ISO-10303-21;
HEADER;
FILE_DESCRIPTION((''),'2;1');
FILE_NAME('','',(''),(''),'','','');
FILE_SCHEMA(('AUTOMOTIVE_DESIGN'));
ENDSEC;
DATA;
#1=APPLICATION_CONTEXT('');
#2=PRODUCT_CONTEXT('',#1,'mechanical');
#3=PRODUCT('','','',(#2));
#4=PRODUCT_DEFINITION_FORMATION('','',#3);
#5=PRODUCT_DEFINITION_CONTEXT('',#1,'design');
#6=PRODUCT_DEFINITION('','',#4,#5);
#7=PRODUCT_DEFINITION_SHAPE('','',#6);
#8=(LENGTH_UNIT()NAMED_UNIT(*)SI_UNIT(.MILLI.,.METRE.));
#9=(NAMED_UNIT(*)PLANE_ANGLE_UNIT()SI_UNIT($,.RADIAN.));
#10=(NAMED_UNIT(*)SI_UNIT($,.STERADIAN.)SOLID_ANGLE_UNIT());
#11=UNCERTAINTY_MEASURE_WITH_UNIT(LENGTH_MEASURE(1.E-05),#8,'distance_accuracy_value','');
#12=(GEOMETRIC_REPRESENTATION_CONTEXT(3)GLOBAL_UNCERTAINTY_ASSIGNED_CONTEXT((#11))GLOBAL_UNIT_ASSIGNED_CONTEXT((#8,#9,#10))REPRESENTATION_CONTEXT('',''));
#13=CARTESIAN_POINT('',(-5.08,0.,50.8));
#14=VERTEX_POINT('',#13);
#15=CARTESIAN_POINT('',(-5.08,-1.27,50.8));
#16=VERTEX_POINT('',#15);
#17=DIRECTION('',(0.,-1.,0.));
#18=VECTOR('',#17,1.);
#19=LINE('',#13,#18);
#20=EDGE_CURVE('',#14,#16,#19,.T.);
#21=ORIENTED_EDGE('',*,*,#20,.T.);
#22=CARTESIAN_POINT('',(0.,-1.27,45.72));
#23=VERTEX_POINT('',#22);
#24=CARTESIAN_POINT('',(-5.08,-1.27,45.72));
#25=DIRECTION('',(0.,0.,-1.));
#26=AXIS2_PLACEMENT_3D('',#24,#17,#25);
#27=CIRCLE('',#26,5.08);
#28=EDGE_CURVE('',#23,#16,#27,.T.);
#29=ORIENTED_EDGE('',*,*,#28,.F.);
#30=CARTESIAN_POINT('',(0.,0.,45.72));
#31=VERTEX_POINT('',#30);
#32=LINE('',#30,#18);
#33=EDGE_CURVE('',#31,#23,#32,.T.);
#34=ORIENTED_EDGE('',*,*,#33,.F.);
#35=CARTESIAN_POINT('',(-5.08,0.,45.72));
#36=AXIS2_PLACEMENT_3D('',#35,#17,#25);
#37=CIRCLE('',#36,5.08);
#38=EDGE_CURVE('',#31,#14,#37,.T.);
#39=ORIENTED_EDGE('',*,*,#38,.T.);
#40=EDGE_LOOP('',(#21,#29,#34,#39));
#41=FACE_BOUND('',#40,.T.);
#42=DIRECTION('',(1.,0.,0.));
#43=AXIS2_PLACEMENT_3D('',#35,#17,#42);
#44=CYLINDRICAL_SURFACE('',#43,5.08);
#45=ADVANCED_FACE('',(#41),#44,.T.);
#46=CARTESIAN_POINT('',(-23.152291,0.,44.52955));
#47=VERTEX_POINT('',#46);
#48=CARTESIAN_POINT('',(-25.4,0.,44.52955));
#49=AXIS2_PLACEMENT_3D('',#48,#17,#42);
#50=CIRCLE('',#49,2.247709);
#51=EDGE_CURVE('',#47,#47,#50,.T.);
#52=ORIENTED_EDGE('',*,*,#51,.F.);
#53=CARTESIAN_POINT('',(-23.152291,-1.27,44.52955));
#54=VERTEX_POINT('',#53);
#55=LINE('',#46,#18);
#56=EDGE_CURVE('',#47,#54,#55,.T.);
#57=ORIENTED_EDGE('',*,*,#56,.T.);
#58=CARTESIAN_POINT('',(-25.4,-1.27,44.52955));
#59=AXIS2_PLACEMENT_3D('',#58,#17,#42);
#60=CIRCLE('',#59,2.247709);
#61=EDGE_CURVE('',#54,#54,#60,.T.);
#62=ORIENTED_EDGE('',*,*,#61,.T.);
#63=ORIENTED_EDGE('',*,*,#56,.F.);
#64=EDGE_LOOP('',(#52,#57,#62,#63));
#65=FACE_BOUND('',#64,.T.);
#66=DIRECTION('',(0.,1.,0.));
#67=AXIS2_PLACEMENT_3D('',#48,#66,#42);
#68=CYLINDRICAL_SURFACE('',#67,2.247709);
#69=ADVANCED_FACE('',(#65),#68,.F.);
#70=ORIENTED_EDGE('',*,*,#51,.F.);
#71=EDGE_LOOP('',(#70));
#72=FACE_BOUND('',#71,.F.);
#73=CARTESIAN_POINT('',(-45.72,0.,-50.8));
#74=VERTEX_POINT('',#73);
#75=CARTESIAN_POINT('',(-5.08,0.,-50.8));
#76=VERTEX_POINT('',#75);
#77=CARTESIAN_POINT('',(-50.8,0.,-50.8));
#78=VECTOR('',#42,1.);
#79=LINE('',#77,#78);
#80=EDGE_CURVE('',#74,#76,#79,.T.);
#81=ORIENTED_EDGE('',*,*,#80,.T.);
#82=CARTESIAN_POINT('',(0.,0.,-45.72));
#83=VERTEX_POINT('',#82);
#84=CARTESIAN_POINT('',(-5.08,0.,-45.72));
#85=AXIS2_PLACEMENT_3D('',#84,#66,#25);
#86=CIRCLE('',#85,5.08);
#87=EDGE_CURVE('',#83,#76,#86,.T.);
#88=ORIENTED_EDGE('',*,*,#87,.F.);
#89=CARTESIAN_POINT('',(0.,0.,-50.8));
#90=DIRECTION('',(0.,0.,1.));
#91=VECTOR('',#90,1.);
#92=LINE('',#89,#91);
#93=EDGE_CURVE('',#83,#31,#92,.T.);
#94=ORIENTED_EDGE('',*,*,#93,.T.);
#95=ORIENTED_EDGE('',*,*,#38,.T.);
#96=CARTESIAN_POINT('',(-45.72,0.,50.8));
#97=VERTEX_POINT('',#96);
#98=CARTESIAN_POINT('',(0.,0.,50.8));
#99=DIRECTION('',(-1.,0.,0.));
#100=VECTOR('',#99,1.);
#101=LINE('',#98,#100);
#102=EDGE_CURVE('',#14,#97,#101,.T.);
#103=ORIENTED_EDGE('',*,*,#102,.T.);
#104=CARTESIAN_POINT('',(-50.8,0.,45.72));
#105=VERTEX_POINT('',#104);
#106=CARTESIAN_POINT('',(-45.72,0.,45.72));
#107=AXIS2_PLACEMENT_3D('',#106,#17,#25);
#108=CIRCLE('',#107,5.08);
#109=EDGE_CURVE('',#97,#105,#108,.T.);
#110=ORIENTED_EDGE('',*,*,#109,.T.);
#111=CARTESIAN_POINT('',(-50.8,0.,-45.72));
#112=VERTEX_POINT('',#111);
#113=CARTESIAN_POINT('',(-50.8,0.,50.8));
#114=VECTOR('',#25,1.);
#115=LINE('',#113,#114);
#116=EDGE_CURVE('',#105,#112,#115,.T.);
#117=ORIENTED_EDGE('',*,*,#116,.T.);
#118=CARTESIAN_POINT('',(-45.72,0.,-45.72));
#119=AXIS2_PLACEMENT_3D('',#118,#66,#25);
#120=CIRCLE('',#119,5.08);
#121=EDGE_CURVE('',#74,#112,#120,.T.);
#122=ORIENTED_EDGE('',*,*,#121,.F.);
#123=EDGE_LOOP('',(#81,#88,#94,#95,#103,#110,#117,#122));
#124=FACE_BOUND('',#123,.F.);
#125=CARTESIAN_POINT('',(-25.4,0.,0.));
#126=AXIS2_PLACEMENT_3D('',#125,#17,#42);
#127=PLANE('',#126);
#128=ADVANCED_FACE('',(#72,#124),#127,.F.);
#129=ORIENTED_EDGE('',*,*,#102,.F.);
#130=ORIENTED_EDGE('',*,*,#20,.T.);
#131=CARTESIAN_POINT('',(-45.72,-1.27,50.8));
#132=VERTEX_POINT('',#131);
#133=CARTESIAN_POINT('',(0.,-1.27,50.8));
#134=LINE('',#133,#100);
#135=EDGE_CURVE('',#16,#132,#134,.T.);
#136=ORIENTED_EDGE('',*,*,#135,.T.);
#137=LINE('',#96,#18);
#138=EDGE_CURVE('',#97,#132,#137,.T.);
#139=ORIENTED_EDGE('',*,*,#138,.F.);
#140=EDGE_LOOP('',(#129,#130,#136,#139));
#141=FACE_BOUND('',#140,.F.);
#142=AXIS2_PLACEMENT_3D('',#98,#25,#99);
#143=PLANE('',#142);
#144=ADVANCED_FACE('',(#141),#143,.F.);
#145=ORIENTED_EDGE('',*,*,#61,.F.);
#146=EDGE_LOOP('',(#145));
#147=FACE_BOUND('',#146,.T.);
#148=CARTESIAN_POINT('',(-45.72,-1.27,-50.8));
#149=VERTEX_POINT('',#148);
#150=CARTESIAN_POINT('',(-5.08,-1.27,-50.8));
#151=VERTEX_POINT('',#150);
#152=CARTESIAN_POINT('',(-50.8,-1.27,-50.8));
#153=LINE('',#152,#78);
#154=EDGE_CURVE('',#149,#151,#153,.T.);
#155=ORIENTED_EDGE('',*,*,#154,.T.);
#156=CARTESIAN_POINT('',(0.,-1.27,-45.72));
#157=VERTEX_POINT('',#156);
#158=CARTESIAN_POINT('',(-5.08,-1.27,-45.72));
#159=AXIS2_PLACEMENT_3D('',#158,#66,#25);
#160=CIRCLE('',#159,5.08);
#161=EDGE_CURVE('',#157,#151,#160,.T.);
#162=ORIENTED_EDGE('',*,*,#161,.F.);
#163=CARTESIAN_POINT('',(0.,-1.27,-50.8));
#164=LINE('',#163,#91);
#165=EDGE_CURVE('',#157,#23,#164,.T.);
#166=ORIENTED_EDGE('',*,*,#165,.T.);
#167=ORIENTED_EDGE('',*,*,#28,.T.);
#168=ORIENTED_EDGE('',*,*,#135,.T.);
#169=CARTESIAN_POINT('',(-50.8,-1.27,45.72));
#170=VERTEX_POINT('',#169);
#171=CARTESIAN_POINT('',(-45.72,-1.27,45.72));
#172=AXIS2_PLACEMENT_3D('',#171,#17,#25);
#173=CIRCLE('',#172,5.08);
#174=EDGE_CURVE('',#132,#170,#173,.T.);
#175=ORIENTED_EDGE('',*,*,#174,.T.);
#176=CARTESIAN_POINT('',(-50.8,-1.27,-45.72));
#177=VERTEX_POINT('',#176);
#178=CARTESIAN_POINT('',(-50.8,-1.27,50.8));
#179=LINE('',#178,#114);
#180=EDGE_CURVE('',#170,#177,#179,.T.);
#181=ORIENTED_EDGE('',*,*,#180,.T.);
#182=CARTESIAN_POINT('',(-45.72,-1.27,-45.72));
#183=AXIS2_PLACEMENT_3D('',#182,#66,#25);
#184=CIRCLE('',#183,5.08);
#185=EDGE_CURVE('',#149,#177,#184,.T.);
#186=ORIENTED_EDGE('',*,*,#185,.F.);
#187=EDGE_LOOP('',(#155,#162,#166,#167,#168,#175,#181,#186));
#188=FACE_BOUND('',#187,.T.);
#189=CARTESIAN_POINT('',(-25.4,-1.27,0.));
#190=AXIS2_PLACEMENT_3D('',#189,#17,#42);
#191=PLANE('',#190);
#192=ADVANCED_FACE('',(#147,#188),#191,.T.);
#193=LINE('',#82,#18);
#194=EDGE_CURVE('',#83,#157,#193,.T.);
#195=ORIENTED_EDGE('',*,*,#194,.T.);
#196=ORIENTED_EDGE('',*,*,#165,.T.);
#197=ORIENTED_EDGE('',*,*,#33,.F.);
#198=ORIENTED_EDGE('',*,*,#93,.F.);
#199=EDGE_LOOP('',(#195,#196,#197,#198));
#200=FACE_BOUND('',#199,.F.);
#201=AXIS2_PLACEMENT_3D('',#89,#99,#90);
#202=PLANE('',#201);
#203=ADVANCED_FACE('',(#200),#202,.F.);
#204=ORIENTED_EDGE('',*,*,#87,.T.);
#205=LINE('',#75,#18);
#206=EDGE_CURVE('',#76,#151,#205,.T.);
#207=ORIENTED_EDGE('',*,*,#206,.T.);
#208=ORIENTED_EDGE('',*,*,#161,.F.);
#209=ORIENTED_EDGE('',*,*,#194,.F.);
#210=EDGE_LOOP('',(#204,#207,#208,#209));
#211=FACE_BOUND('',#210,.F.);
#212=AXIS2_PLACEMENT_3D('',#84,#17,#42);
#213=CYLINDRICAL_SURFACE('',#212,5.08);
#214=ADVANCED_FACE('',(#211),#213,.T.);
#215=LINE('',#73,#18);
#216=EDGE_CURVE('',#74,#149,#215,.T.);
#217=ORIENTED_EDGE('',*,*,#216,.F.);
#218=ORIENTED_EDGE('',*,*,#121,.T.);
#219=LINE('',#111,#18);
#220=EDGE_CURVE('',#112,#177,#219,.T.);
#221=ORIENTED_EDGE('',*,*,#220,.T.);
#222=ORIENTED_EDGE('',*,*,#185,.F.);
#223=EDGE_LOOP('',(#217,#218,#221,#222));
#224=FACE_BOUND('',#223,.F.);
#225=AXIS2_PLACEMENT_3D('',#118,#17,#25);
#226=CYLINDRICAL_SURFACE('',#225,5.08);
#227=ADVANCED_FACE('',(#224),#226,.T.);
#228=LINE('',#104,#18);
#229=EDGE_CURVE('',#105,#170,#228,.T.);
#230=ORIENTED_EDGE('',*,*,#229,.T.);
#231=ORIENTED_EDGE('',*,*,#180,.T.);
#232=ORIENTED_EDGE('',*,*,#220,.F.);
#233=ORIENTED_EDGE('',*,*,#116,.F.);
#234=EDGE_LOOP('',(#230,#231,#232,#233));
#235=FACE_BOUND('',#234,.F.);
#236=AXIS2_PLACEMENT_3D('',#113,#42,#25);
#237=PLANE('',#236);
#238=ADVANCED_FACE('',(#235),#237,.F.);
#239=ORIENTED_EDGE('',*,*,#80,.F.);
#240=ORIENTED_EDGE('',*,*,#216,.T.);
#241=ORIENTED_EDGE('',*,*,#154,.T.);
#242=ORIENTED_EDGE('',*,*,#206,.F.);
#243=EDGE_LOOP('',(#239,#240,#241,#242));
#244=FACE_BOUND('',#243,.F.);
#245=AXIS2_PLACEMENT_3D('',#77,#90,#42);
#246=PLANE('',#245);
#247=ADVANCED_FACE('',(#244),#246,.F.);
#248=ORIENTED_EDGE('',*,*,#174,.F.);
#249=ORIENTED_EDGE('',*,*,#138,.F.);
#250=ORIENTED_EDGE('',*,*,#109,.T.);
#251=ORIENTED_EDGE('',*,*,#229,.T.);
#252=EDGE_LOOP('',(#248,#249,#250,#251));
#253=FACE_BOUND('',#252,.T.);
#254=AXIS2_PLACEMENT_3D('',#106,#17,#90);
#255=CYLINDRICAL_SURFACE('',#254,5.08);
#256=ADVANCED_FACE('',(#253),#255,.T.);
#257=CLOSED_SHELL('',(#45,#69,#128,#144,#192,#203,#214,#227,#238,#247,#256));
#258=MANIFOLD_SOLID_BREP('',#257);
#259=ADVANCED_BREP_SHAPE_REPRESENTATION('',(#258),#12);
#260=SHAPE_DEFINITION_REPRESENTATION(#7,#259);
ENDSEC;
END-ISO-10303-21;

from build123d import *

# Parameters (mm, degrees)
F0_R     = 2.247709
F1_DEPTH = 1.27
F2_R     = 5.08


with BuildPart() as f1:
    # F0 (on Front) → F1 (new body)
    with BuildSketch(Plane.XZ):
        Polygon((0, -50.8), (0, 0), (0, 50.8), (-50.8, 50.8), (-50.8, 0), (-50.8, -50.8), align=None)
        with Locations((-25.4, 44.52955)):
            Circle(F0_R, mode=Mode.SUBTRACT)
    extrude(amount=F1_DEPTH)

    # F2
    f2_edges = [f1.edges().sort_by_distance(p)[0] for p in [
        (0, -0.635, 50.8),
        (-50.8, -0.635, 50.8),
        (-50.8, -0.635, -50.8),
        (0, -0.635, -50.8),
    ]]
    fillet(f2_edges, radius=F2_R)


solid = f1.part
